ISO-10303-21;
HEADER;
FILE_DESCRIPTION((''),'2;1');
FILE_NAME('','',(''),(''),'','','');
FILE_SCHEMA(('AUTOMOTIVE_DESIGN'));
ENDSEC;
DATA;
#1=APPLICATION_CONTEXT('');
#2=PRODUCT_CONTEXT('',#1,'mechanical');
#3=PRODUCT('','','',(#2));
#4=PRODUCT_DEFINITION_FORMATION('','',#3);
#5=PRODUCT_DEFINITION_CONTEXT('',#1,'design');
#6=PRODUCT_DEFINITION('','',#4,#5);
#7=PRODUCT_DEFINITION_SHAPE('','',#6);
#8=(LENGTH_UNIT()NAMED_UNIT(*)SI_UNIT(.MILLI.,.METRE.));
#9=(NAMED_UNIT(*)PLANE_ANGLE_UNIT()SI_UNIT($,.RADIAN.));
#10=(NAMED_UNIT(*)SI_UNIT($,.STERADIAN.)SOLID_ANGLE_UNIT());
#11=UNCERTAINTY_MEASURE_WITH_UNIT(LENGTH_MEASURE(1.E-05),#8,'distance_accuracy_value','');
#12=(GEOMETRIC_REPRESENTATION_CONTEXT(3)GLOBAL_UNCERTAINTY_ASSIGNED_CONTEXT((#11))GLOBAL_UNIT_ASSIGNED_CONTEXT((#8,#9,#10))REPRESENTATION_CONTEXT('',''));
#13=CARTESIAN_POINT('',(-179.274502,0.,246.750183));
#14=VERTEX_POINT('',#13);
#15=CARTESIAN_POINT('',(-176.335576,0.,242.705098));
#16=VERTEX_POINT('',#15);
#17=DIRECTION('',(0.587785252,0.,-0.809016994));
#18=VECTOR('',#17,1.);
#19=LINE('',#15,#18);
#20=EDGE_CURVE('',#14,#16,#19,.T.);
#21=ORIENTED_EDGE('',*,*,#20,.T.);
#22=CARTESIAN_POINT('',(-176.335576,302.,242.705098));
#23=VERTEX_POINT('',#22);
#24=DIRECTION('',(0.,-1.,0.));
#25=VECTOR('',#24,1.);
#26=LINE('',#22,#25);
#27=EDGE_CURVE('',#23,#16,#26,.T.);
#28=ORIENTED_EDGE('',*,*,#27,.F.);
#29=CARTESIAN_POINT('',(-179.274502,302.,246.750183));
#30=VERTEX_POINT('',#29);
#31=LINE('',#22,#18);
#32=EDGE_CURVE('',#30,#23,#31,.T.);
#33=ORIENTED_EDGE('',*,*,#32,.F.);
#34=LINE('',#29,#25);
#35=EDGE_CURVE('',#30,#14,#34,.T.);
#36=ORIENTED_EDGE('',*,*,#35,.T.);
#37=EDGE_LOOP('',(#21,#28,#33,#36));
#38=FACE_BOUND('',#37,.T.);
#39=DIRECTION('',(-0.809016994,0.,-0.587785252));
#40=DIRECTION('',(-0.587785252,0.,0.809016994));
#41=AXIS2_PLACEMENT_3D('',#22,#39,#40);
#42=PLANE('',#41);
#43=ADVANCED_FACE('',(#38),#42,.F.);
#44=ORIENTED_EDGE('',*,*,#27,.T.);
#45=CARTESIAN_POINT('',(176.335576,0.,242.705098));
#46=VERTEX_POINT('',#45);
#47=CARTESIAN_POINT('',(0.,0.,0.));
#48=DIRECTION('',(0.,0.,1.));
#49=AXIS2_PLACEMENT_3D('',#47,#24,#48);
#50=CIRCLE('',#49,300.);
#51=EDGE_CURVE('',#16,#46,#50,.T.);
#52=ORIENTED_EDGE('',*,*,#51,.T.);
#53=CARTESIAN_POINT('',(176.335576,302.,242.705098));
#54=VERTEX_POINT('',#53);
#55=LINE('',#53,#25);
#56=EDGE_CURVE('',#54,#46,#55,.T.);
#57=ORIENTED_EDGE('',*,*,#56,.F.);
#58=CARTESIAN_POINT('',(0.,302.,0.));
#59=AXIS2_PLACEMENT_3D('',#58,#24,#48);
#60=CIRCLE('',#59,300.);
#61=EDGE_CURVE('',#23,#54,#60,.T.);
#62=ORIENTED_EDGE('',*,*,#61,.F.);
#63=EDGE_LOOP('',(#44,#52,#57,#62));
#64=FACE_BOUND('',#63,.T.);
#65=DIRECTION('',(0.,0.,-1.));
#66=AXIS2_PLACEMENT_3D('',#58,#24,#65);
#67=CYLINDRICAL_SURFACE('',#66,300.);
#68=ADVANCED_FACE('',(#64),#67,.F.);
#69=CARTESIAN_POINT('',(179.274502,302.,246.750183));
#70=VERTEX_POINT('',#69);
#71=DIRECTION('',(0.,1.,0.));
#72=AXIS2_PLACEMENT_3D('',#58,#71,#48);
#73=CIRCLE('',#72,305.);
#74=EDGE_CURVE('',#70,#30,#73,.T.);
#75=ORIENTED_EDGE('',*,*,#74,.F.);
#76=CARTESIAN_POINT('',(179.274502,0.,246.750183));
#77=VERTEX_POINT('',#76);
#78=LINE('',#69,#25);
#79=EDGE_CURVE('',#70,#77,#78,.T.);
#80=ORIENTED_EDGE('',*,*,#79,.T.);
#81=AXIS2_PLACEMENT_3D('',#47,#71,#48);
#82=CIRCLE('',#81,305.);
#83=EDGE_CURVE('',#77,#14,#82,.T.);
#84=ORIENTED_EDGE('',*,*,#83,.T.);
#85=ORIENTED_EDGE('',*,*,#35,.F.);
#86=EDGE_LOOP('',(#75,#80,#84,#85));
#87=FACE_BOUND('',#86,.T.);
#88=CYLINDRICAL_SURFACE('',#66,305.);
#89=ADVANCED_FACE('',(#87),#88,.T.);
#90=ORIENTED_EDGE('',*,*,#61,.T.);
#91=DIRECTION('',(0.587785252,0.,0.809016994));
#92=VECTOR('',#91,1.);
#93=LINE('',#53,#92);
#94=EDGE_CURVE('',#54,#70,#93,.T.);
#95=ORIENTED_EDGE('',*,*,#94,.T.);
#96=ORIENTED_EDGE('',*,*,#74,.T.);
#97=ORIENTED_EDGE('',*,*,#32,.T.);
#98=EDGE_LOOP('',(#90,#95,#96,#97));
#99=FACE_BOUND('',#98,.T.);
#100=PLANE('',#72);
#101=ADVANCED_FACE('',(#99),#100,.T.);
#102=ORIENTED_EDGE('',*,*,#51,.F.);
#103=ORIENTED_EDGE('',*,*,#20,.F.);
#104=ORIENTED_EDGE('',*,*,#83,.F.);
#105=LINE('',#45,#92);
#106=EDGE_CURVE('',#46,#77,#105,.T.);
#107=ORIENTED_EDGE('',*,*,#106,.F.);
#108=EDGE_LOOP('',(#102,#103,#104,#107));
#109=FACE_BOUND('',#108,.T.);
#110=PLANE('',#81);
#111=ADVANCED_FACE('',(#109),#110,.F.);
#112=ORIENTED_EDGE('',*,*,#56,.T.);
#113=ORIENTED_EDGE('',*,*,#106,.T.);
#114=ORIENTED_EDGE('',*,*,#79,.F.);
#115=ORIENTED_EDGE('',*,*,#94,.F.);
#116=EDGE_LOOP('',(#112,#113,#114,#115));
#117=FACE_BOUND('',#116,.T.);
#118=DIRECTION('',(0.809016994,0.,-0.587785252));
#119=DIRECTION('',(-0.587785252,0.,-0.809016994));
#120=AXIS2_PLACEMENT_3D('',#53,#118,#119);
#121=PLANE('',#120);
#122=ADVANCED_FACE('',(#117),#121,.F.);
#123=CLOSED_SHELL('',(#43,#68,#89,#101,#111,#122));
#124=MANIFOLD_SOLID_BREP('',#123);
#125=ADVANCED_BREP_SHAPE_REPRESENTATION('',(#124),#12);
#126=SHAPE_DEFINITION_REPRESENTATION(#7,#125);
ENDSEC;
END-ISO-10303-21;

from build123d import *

# Parameters (mm, degrees)
BOSS_EXTRUDE2_DEPTH = 302


with BuildPart() as part:
    # Sketch1 → Boss-Extrude2 (new body)
    with BuildSketch(Plane(origin=(0, 0, 0), x_dir=(1, 0, 0), z_dir=(0, 1, 0))):
        with BuildLine():
            Line((176.335575688, -242.705098312), (179.274501949, -246.750183284))
            ThreePointArc((179.274501949, -246.750183284), (0, 305), (-179.274501949, -246.750183284))
            Line((-179.274501949, -246.750183284), (-176.335575688, -242.705098312))
            ThreePointArc((-176.335575688, -242.705098312), (0, 300), (176.335575688, -242.705098312))
        make_face()
    extrude(amount=BOSS_EXTRUDE2_DEPTH)


solid = part.part
